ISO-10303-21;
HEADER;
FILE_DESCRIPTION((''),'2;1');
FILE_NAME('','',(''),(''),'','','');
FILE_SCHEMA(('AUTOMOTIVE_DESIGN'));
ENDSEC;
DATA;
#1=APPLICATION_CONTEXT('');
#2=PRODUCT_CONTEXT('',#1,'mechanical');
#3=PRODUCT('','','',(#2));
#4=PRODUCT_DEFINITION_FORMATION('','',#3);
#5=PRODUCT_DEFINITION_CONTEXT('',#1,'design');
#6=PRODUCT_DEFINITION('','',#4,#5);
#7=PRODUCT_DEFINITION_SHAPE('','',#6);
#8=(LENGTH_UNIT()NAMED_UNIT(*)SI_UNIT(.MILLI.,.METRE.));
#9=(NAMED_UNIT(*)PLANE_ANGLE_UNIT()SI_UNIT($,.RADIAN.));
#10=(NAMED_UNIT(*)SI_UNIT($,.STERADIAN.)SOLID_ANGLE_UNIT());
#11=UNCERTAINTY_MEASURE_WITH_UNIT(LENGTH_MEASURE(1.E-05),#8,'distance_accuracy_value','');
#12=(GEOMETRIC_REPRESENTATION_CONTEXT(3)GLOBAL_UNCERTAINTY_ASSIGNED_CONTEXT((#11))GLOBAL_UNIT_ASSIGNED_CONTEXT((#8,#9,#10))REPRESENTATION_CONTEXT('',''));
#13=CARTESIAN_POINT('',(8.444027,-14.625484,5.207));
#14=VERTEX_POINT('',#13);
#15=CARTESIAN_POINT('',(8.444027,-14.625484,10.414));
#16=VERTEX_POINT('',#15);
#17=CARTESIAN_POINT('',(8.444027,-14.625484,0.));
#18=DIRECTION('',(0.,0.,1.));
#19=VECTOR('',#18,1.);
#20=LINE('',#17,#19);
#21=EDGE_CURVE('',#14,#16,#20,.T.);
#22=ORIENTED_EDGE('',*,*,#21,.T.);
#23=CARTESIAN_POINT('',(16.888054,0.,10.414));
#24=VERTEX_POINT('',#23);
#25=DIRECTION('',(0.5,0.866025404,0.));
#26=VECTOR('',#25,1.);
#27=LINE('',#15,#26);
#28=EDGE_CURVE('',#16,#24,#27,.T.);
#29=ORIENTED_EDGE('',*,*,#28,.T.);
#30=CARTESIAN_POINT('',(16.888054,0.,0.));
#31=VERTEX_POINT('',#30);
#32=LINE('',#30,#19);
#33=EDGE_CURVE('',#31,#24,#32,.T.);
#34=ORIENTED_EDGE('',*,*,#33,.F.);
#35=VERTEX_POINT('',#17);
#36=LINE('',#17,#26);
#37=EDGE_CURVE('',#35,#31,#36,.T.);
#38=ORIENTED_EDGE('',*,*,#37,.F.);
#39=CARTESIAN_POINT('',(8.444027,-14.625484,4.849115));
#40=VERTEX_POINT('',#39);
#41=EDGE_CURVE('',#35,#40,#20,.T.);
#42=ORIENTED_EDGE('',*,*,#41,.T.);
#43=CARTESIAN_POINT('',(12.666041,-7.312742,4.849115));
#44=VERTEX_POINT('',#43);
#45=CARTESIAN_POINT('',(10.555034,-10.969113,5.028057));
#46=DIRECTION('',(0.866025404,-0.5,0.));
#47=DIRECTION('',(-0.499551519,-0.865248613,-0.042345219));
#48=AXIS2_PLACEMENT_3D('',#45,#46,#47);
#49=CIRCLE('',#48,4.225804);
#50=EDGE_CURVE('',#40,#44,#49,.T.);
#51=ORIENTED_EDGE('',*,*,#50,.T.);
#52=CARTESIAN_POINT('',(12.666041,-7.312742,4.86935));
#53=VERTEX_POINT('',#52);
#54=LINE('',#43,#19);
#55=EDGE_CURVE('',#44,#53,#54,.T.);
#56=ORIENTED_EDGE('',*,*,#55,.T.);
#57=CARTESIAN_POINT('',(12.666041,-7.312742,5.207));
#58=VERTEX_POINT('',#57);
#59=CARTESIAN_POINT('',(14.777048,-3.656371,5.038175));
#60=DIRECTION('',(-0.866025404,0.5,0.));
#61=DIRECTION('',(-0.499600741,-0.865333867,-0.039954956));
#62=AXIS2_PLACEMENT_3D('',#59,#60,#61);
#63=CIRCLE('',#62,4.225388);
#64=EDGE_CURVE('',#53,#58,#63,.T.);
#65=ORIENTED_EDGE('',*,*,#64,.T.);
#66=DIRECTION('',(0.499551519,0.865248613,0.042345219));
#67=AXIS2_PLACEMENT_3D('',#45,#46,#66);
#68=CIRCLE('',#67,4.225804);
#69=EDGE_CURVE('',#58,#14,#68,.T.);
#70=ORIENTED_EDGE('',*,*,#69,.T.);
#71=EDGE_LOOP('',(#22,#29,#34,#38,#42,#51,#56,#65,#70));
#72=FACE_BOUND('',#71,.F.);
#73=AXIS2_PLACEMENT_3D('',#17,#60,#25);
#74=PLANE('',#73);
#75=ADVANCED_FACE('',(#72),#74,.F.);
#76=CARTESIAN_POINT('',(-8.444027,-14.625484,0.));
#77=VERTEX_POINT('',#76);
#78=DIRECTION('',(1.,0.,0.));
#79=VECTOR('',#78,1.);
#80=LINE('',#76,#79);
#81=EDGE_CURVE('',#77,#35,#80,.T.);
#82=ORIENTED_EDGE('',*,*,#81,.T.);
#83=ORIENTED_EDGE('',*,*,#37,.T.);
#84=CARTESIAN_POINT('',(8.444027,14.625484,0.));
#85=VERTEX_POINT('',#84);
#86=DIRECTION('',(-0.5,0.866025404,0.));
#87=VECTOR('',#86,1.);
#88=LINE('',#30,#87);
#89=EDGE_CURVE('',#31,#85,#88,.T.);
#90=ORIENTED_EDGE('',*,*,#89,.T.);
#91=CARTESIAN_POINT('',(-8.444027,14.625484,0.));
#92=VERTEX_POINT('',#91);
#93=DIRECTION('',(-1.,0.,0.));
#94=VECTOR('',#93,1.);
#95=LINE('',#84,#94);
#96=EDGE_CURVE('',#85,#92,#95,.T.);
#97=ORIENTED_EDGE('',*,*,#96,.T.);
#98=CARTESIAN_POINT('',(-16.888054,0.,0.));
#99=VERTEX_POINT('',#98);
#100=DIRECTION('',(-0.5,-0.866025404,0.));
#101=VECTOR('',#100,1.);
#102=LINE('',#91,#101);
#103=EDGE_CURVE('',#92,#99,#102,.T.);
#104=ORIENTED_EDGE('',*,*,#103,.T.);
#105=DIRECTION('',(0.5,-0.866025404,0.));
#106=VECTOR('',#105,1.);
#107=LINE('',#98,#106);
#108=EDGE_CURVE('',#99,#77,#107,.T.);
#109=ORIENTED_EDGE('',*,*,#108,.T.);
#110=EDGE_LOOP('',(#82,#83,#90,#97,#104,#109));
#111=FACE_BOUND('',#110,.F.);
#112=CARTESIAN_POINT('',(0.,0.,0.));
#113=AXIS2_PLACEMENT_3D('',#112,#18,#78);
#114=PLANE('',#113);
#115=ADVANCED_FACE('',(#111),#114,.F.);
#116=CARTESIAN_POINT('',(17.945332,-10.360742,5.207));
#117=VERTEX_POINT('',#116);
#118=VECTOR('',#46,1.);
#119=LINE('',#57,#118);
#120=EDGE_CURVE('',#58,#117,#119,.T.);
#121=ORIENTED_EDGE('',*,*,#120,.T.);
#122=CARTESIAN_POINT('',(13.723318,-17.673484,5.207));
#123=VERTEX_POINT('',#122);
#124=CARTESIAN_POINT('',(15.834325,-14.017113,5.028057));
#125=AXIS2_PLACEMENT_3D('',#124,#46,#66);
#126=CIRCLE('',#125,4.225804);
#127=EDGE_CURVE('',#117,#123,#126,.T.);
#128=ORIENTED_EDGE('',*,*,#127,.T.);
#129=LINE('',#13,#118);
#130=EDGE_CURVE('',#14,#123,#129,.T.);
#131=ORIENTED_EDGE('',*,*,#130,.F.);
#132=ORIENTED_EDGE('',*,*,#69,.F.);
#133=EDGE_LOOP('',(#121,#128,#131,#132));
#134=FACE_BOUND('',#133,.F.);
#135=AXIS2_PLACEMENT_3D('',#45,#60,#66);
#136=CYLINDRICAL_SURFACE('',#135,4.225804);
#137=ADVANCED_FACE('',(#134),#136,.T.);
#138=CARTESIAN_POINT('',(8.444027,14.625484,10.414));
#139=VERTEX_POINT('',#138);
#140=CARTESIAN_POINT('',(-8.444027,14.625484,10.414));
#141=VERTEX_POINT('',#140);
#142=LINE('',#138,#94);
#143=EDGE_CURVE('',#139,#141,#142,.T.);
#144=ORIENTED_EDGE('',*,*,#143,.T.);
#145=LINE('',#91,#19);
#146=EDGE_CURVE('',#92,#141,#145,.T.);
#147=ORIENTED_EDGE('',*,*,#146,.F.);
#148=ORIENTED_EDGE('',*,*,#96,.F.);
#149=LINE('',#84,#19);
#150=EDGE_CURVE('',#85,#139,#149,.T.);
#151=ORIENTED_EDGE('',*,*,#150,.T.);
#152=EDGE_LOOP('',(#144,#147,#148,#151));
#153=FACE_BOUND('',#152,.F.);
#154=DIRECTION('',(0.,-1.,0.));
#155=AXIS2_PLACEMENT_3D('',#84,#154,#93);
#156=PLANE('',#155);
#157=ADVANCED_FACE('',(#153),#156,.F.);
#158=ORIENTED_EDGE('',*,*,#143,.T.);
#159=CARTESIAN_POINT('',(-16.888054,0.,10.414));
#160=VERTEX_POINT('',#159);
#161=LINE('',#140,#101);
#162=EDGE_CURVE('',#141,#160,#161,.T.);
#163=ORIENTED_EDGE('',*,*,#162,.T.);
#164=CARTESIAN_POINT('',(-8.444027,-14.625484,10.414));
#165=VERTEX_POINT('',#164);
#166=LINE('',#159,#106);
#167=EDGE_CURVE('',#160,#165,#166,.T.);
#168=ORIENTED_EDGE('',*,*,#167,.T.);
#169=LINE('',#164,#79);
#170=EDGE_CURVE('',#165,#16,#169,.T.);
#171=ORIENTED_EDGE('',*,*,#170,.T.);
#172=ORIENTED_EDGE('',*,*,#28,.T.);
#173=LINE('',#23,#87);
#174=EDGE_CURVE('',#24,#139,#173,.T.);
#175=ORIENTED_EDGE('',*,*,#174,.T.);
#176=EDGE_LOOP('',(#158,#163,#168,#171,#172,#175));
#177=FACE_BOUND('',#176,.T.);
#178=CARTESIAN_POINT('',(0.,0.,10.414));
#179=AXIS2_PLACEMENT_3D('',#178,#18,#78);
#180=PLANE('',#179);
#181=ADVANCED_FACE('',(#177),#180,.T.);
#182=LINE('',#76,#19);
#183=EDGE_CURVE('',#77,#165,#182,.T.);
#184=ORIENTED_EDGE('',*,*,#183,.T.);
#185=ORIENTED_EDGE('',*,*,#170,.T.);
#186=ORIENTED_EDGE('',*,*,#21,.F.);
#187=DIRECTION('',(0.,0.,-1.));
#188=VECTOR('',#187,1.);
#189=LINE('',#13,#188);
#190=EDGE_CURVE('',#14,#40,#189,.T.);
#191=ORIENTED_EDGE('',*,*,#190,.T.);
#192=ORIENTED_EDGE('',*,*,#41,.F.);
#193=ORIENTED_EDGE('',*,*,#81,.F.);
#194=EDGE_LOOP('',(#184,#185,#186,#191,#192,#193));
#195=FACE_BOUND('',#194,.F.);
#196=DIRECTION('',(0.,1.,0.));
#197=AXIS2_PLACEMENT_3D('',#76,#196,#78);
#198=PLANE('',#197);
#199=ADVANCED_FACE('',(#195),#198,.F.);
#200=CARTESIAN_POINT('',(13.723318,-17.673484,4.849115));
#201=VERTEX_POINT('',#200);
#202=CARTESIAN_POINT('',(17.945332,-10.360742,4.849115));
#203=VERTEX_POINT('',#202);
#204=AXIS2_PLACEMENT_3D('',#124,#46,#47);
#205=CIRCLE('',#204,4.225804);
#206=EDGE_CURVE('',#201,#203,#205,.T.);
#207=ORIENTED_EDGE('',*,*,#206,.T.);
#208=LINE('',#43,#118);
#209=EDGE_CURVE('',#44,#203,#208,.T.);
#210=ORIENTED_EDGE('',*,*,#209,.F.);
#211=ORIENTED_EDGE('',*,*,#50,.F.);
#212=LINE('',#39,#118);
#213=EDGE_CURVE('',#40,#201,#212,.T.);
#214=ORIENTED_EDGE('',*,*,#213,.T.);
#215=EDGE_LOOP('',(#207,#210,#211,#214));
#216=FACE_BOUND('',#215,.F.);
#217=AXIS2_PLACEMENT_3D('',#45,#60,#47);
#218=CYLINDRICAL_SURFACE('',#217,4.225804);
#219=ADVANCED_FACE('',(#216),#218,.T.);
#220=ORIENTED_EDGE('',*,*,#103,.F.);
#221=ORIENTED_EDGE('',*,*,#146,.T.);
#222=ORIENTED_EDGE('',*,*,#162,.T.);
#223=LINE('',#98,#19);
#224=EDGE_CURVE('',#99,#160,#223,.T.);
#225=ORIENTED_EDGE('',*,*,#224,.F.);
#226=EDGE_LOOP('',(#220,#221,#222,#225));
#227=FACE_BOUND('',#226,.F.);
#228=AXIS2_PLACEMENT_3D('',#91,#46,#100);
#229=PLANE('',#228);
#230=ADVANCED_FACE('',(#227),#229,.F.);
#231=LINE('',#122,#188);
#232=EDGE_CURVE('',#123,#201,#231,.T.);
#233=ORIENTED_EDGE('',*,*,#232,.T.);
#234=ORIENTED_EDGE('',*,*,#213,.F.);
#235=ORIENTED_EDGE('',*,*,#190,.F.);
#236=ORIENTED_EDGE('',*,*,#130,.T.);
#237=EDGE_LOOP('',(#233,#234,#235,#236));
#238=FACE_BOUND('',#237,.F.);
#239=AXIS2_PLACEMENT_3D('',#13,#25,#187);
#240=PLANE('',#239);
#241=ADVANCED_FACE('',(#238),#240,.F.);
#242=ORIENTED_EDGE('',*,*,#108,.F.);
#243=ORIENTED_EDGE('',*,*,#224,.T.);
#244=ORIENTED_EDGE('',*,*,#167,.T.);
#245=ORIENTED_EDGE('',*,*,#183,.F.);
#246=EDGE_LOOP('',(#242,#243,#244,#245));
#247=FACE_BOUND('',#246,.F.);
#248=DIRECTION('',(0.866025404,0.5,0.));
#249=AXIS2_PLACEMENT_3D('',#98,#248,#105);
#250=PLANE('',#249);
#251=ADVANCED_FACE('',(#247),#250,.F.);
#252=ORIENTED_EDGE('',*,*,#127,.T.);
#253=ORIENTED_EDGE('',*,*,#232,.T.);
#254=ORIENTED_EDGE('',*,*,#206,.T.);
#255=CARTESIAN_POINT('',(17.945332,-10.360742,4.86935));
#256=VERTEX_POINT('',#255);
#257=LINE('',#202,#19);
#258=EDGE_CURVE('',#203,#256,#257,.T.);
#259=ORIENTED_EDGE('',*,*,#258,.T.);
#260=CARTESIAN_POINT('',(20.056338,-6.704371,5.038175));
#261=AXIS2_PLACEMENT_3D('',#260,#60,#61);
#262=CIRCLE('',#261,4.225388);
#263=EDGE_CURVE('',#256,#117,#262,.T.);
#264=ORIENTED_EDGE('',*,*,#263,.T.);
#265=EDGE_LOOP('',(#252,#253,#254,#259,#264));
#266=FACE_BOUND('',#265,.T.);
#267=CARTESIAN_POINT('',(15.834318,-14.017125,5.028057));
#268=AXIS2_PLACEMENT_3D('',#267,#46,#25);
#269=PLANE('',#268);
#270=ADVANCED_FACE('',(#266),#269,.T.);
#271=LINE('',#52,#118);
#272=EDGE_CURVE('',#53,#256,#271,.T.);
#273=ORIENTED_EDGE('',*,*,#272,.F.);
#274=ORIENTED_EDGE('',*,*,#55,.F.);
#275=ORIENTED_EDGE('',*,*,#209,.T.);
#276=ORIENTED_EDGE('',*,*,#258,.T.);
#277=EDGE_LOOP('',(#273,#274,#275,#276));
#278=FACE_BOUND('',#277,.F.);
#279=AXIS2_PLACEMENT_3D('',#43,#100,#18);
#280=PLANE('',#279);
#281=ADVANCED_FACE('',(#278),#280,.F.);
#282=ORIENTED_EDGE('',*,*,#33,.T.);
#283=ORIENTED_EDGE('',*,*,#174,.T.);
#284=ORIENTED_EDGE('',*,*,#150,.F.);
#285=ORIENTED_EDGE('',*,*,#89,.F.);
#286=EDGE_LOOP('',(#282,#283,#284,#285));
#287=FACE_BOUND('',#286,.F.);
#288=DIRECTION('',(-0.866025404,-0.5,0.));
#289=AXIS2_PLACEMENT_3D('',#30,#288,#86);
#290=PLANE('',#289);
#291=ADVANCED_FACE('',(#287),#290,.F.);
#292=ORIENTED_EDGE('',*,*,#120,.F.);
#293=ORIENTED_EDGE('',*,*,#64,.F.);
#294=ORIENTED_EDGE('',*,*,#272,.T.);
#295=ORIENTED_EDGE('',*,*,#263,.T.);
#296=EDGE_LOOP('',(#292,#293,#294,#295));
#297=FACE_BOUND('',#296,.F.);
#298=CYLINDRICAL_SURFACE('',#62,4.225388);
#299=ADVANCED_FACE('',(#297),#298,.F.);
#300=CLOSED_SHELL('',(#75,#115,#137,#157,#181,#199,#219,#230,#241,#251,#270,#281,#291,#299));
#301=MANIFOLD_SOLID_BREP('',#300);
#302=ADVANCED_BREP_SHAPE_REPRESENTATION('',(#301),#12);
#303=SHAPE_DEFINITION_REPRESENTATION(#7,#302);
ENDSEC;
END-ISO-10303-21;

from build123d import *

# Parameters (mm, degrees)
F1_DEPTH = 10.414
F3_DEPTH = 6.096


with BuildPart() as f1:
    # F0 (on Top) → F1 (new body)
    with BuildSketch(Plane.XY):
        Polygon((8.4440271959, 14.6254841238), (-8.4440271959, 14.6254841238), (-16.8880543918, 0), (-8.4440271959, -14.6254841238), (8.4440271959, -14.6254841238), (16.8880543918, 0), align=None)
    extrude(amount=F1_DEPTH)

    # F2 (on face) → F3 (join)
    with BuildSketch(Plane(origin=(12.6660407939, -7.3127420619, 0), x_dir=(0.5, 0.8660254038, 0), z_dir=(0.8660254038, -0.5, 0))):
        with BuildLine():
            ThreePointArc((0, 5.207), (-4.222013598, 9.2538613826), (-8.4440271959, 5.207))
            Line((-8.4440271959, 5.207), (-8.4440271959, 4.8491148059))
            ThreePointArc((-8.4440271959, 4.8491148059), (-4.222013598, 0.8022534233), (0, 4.8491148059))
            Line((0, 4.8491148059), (0, 4.8693496503))
            ThreePointArc((0, 4.8693496503), (-0.0033740483, 5.0381748251), (0, 5.207))
        make_face()
    extrude(amount=F3_DEPTH)


solid = f1.part
